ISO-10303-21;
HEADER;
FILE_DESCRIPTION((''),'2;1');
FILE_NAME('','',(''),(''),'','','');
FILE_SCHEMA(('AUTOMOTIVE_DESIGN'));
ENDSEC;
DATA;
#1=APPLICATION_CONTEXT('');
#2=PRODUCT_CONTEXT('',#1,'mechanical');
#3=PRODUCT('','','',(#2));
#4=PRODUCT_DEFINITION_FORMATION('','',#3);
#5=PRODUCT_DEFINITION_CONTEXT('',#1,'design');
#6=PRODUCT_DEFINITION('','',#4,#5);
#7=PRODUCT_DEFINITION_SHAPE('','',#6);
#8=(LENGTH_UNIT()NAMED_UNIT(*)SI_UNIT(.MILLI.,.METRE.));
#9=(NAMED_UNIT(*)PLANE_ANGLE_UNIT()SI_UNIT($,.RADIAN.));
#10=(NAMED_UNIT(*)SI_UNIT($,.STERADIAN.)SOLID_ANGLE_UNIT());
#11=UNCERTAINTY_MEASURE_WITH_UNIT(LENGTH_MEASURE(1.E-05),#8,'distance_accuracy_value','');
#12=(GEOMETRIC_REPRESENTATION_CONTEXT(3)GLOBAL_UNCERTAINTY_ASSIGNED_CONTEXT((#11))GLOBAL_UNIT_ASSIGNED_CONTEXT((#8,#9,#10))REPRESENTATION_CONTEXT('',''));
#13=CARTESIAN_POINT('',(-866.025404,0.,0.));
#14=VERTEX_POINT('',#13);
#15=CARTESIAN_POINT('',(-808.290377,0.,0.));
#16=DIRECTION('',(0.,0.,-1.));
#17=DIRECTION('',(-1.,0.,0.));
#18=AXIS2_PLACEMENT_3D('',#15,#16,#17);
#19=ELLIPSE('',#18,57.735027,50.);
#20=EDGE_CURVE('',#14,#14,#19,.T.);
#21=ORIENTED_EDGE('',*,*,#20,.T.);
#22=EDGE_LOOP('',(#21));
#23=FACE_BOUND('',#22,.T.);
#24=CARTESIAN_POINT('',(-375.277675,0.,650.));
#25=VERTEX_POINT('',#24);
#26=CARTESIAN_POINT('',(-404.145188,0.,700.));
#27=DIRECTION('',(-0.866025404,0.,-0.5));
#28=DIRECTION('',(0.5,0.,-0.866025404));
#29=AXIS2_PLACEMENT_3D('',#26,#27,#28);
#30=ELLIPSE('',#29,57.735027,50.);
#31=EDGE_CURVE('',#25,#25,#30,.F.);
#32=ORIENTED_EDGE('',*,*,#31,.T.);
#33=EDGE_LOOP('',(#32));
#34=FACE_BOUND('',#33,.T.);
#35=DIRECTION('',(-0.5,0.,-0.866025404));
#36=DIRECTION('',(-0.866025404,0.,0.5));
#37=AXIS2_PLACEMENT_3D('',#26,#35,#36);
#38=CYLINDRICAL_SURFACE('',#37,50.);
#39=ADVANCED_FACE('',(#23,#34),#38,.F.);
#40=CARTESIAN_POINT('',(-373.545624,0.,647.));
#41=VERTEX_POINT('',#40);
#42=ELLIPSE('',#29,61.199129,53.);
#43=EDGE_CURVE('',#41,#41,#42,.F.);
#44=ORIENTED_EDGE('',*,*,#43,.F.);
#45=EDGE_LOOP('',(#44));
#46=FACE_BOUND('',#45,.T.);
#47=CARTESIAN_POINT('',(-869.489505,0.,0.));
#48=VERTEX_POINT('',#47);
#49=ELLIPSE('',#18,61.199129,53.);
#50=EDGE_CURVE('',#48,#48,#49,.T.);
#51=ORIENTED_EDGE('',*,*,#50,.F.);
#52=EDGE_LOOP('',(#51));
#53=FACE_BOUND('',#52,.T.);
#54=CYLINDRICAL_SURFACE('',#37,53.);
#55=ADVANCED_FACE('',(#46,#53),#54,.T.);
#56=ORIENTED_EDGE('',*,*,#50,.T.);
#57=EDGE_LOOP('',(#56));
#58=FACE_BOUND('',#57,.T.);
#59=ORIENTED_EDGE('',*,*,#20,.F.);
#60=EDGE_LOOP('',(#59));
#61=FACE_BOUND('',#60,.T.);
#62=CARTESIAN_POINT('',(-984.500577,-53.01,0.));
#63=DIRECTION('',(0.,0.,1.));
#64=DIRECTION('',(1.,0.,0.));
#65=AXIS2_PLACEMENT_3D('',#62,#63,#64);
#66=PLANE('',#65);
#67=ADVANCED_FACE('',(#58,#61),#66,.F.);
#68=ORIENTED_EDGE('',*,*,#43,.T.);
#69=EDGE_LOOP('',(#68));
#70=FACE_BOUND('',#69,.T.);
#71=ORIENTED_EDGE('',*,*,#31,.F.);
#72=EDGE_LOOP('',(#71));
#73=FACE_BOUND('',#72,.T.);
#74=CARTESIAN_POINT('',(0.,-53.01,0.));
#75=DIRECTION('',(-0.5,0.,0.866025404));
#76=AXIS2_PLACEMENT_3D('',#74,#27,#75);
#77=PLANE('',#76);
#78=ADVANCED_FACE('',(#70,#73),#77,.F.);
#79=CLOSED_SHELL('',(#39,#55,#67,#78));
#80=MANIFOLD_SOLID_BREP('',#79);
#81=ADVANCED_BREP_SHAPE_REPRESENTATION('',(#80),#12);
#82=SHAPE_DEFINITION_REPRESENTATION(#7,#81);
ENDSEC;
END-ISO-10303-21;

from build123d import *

# Parameters (mm, degrees)
SKETCH3_R              = 53
SKETCH3_R_2            = 50
SPLIT1_SURFACE_1_BACK  = 2303.894
SPLIT1_SURFACE_1_DEPTH = 4607.788


with BuildPart() as part:
    # Sweep1: sweep along a path in Sketch2
    with BuildLine(Plane(origin=(0, 0, 0), x_dir=(1, 0, 0), z_dir=(0, 1, 0))) as sweep1_path:
        Line((-404.145188433, -700), (404.145188433, -700))
        Line((404.145188433, -700), (808.290376865, 0))
        Line((808.290376865, 0), (404.145188433, 700))
        Line((404.145188433, 700), (-404.145188433, 700))
        Line((-404.145188433, 700), (-808.290376865, 0))
        Line((-808.290376865, 0), (-404.145188433, -700))
    # Sketch3 → Sweep1 (sweep)
    with BuildSketch(Plane(origin=(0, 0, 0), x_dir=(0, 0, -1), z_dir=(1, 0, 0))):
        with Locations((-700, 0)):
            Circle(SKETCH3_R)
        with Locations((-700, 0)):
            Circle(SKETCH3_R_2, mode=Mode.SUBTRACT)
    sweep(path=sweep1_path.line, transition=Transition.RIGHT)

    # Split1: cut with a surface, the side it looks to stays
    # Split1 surface: a surface, the sketch's curves swept straight by 4607.788 mm
    with BuildLine(Plane(origin=(0, 0, 0), x_dir=(1, 0, 0), z_dir=(0, 1, 0)).offset(-SPLIT1_SURFACE_1_BACK), mode=Mode.PRIVATE) as split1_surface_1_path:
        Line((-492.250288532, -852.602509777), (0, 0))
        Line((0, 0), (-984.500577063, 0))
    split1_surface_1 = Shell.extrude(split1_surface_1_path.wire(), (0 * SPLIT1_SURFACE_1_DEPTH, 1 * SPLIT1_SURFACE_1_DEPTH, 0 * SPLIT1_SURFACE_1_DEPTH))
    split(bisect_by=split1_surface_1, keep=Keep.TOP)


solid = part.part
